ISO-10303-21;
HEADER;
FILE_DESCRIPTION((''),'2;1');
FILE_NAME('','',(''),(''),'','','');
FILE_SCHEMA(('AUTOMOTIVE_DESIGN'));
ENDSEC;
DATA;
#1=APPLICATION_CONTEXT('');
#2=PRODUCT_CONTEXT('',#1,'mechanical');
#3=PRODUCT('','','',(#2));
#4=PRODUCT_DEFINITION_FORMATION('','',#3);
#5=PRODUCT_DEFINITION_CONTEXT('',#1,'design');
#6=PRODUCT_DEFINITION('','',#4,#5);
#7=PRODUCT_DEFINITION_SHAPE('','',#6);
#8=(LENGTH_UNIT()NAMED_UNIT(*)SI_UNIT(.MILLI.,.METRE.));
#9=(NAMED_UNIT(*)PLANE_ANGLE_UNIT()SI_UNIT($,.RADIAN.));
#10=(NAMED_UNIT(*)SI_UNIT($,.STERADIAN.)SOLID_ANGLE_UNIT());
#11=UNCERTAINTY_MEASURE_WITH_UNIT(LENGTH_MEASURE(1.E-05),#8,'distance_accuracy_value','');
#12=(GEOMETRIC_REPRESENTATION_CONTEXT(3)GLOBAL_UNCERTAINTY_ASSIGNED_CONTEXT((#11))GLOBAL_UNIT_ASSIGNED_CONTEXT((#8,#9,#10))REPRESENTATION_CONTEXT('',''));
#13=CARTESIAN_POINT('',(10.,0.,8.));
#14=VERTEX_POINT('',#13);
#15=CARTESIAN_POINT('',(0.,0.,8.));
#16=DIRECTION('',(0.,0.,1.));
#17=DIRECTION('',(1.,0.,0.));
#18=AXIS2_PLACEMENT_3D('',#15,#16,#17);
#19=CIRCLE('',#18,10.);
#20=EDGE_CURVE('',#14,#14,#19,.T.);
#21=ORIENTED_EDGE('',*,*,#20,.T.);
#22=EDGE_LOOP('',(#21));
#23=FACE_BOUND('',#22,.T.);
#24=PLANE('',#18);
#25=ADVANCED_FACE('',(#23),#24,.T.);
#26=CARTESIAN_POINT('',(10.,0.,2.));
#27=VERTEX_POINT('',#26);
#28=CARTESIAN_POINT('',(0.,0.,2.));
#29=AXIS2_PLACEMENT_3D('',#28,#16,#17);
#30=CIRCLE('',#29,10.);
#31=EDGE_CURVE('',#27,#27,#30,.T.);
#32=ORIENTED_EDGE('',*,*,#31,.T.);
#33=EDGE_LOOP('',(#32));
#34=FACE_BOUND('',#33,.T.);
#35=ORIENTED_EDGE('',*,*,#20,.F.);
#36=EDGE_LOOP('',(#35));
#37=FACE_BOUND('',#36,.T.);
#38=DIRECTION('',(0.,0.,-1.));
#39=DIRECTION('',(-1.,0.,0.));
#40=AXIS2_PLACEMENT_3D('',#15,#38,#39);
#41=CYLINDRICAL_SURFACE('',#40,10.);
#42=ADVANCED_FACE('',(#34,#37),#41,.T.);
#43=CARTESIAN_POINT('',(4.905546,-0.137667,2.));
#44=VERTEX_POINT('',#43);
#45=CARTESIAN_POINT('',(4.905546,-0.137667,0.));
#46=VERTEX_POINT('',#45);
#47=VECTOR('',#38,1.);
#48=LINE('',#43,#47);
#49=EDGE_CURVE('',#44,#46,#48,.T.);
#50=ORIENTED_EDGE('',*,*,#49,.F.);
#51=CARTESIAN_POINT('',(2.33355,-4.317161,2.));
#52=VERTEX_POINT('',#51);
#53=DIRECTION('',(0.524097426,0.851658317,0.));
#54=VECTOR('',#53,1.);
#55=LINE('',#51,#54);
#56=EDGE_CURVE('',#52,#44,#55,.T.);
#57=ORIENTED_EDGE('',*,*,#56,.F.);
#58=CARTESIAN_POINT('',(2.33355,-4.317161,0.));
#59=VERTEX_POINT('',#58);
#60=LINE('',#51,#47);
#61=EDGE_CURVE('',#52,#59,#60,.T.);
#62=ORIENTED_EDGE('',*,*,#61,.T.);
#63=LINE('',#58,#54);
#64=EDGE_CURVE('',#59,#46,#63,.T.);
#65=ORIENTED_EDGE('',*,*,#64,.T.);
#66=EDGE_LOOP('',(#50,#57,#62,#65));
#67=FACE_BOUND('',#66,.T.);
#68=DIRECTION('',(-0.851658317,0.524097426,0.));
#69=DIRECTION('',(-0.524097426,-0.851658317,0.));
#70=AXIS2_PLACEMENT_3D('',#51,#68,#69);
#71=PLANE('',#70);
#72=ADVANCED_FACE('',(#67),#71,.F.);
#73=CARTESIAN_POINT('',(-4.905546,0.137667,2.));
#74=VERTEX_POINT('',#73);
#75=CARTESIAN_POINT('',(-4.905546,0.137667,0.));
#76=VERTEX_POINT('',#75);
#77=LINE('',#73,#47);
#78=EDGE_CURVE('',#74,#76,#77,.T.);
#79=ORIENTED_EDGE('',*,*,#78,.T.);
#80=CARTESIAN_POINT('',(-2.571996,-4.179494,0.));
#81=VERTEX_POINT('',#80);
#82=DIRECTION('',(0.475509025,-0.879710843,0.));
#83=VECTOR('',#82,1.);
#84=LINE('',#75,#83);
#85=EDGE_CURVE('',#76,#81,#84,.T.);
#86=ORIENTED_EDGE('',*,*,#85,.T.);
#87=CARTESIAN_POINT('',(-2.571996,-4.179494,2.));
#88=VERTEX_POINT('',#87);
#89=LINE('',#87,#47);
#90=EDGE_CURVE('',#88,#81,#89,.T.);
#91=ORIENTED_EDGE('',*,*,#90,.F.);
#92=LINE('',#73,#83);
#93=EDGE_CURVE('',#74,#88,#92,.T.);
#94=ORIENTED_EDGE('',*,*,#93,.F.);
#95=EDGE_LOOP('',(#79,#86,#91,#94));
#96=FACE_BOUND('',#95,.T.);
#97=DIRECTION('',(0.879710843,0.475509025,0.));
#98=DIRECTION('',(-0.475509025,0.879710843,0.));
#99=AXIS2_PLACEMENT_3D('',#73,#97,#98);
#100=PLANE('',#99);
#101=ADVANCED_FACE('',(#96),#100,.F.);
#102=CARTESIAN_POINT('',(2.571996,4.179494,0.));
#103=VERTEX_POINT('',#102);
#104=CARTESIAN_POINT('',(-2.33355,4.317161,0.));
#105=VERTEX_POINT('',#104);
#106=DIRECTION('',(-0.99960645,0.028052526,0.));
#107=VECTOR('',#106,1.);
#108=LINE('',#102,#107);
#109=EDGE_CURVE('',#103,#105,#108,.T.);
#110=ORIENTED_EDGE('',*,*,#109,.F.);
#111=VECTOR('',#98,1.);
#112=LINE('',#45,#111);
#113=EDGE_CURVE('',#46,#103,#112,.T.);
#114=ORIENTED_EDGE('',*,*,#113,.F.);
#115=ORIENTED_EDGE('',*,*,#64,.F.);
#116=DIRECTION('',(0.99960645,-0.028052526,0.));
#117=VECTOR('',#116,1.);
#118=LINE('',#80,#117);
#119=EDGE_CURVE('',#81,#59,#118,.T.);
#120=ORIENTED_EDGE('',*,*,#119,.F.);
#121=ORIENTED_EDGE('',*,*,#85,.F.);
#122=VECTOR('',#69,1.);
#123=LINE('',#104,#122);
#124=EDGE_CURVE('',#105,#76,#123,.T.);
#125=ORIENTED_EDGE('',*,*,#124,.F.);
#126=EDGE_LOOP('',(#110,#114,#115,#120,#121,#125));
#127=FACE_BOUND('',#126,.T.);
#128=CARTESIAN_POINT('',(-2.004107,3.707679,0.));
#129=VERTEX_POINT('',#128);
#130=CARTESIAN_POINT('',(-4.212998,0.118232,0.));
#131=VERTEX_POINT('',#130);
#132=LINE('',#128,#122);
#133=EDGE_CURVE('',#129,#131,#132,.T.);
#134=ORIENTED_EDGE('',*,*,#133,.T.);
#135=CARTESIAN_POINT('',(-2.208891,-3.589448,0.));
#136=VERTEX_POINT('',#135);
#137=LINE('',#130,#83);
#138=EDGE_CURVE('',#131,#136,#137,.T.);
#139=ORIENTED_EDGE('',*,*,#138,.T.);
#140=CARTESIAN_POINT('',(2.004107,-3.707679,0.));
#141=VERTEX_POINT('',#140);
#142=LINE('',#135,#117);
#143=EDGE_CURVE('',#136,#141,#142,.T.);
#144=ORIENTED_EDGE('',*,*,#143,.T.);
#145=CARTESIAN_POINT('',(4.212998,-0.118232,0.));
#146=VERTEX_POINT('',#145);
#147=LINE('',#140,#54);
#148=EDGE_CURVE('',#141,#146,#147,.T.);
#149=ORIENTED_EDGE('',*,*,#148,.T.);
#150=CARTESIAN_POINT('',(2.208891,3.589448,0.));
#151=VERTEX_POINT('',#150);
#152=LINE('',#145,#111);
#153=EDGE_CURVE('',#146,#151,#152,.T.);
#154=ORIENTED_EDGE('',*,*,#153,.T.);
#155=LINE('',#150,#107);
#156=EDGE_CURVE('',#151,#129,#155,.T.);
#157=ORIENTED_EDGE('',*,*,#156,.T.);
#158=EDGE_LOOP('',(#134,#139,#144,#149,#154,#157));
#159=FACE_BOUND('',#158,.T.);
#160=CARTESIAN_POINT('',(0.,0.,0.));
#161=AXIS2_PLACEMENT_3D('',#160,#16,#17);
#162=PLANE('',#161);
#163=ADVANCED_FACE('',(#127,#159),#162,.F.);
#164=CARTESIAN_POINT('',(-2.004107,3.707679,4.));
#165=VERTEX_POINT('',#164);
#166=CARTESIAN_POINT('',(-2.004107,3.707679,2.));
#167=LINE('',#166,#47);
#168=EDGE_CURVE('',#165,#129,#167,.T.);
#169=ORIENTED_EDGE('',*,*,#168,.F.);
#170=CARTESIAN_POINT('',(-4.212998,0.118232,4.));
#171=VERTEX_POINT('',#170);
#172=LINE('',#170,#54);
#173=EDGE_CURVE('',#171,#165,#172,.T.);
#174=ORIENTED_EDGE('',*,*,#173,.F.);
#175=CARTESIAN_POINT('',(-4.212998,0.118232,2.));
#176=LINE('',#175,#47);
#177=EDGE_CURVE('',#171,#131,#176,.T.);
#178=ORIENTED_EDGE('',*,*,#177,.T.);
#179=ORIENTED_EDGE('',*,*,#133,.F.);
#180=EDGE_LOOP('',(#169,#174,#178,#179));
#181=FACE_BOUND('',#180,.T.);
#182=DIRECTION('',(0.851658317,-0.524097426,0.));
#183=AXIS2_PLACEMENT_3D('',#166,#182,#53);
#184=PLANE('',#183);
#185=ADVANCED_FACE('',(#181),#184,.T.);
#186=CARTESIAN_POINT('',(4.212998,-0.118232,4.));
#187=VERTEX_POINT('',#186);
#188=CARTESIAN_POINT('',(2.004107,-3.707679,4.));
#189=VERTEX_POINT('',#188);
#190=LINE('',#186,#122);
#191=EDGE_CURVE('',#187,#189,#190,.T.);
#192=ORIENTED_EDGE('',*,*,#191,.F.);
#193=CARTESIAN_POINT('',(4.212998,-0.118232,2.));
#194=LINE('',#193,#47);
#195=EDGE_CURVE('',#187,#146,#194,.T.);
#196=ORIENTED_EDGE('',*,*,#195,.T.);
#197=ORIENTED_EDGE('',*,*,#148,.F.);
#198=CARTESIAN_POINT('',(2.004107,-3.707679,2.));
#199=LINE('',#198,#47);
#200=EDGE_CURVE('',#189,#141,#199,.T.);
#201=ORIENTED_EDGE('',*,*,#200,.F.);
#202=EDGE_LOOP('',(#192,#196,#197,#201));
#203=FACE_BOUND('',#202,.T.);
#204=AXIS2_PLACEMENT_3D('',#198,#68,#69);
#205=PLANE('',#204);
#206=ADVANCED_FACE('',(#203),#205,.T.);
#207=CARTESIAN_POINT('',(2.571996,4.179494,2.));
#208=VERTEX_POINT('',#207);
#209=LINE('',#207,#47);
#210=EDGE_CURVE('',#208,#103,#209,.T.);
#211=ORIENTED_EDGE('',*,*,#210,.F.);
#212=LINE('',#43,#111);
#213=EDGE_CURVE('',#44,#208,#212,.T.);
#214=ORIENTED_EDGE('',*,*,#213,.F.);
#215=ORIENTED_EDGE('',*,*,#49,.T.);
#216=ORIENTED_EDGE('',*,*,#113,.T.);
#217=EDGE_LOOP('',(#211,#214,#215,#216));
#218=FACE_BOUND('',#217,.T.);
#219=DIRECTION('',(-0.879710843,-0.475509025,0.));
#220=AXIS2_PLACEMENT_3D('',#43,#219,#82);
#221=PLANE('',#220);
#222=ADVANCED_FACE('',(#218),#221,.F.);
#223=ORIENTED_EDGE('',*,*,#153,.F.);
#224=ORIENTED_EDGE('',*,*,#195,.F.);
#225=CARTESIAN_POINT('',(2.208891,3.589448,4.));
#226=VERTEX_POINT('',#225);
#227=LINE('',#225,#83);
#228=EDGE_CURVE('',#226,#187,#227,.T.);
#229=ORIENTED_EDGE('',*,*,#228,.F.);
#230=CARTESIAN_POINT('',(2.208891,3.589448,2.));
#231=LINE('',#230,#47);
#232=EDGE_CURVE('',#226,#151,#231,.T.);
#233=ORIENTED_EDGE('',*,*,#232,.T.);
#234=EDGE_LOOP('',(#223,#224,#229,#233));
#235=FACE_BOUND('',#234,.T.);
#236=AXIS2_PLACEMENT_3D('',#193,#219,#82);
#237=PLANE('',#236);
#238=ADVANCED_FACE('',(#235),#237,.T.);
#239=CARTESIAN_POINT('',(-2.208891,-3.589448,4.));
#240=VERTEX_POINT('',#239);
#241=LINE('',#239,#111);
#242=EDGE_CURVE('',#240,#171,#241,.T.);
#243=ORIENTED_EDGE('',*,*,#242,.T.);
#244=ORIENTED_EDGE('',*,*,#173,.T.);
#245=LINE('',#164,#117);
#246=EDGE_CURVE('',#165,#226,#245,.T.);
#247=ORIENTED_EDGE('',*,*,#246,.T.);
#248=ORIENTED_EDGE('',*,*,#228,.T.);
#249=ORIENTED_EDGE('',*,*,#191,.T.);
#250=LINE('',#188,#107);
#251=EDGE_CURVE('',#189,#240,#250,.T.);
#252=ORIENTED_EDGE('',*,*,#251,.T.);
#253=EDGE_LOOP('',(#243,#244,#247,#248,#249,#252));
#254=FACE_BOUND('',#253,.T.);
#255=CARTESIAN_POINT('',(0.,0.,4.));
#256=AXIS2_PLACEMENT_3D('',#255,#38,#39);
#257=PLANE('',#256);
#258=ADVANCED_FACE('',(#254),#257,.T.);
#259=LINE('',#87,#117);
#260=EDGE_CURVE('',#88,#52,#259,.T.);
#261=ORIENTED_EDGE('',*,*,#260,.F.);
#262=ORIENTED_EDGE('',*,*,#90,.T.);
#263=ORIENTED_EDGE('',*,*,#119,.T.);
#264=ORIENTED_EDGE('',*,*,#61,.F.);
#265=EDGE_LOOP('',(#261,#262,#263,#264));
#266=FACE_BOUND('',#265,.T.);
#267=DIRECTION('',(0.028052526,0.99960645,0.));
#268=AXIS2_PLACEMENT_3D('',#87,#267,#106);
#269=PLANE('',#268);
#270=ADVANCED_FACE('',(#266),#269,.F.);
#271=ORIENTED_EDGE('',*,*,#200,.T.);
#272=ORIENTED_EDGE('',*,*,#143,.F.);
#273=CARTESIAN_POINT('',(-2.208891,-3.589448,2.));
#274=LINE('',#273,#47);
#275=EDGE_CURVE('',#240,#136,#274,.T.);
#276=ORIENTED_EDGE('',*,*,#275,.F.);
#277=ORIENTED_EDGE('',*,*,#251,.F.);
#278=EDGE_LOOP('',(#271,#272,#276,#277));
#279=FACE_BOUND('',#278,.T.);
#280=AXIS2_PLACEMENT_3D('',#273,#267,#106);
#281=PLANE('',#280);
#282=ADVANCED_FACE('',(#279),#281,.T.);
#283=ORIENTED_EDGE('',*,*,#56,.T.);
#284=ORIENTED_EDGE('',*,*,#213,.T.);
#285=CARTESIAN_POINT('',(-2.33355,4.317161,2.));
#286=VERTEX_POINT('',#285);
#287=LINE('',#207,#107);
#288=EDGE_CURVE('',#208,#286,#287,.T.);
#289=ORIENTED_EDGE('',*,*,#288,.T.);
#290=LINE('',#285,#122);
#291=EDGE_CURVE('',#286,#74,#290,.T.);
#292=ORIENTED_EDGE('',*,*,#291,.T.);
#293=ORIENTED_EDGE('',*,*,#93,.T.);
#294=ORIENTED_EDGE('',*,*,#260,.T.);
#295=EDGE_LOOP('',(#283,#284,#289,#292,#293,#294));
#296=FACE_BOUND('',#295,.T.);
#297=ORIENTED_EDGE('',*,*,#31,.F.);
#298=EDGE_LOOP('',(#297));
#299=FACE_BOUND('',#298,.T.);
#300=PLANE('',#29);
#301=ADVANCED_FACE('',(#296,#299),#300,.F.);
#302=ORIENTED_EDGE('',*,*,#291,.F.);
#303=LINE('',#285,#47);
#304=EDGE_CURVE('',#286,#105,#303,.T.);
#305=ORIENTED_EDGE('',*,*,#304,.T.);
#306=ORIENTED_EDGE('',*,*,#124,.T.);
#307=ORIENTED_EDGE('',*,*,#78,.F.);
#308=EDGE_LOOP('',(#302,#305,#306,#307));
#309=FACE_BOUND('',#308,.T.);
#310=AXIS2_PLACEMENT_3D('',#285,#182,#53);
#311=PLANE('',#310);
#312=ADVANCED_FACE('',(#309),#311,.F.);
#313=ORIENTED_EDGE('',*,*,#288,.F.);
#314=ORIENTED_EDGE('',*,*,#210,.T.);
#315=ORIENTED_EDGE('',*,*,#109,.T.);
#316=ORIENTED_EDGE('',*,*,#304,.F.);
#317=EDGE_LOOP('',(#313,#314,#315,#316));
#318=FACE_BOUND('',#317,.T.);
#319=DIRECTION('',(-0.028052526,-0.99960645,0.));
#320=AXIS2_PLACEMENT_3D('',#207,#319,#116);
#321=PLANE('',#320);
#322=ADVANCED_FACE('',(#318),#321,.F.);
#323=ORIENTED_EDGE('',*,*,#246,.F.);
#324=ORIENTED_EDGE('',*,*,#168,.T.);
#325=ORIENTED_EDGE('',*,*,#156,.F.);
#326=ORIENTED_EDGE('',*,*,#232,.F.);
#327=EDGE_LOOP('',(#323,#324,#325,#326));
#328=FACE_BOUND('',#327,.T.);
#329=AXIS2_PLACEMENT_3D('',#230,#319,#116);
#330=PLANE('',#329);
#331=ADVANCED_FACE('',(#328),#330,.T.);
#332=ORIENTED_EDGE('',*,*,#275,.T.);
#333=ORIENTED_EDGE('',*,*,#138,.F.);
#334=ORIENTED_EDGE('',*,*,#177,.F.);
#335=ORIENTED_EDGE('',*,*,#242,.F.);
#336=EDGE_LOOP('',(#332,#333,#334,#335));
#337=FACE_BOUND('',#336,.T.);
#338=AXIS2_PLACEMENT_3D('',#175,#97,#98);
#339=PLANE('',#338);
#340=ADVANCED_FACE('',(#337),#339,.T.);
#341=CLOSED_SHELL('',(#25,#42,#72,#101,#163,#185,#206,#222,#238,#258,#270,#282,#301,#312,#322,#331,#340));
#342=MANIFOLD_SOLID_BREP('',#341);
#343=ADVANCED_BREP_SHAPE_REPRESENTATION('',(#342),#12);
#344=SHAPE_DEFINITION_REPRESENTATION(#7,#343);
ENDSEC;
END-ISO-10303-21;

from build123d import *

# Parameters (mm, degrees)
BOSS_EXTRUDE1_DEPTH = 2
SKETCH2_R           = 10
BOSS_EXTRUDE2_DEPTH = 6
CUT_EXTRUDE1_DEPTH  = 2


with BuildPart() as part:
    # Sketch1 → Boss-Extrude1 (new body)
    with BuildSketch(Plane.XY):
        Polygon((-2.571996213, -4.179493846), (2.333549739, -4.317160982), (4.905545953, -0.137667136), (2.571996213, 4.179493846), (-2.333549739, 4.317160982), (-4.905545953, 0.137667136), align=None)
        Polygon((2.208890865, 3.589447656), (-2.004107423, 3.707679432), (-4.212998289, 0.118231775), (-2.208890865, -3.589447656), (2.004107423, -3.707679432), (4.212998289, -0.118231775), align=None, mode=Mode.SUBTRACT)
    extrude(amount=BOSS_EXTRUDE1_DEPTH)

    # Sketch2 → Boss-Extrude2 (add)
    with BuildSketch(Plane.XY.offset(2)):
        Circle(SKETCH2_R)
    extrude(amount=BOSS_EXTRUDE2_DEPTH)

    # Sketch5 → Cut-Extrude1 (cut)
    with BuildSketch(Plane(origin=(0, 0, 2), x_dir=(-1, 0, 0), z_dir=(0, 0, -1))):
        Polygon((-2.208890865, 3.589447656), (-4.212998289, -0.118231775), (-2.004107423, -3.707679432), (2.208890865, -3.589447656), (4.212998289, 0.118231775), (2.004107423, 3.707679432), align=None)
    extrude(amount=-CUT_EXTRUDE1_DEPTH, mode=Mode.SUBTRACT)


solid = part.part
